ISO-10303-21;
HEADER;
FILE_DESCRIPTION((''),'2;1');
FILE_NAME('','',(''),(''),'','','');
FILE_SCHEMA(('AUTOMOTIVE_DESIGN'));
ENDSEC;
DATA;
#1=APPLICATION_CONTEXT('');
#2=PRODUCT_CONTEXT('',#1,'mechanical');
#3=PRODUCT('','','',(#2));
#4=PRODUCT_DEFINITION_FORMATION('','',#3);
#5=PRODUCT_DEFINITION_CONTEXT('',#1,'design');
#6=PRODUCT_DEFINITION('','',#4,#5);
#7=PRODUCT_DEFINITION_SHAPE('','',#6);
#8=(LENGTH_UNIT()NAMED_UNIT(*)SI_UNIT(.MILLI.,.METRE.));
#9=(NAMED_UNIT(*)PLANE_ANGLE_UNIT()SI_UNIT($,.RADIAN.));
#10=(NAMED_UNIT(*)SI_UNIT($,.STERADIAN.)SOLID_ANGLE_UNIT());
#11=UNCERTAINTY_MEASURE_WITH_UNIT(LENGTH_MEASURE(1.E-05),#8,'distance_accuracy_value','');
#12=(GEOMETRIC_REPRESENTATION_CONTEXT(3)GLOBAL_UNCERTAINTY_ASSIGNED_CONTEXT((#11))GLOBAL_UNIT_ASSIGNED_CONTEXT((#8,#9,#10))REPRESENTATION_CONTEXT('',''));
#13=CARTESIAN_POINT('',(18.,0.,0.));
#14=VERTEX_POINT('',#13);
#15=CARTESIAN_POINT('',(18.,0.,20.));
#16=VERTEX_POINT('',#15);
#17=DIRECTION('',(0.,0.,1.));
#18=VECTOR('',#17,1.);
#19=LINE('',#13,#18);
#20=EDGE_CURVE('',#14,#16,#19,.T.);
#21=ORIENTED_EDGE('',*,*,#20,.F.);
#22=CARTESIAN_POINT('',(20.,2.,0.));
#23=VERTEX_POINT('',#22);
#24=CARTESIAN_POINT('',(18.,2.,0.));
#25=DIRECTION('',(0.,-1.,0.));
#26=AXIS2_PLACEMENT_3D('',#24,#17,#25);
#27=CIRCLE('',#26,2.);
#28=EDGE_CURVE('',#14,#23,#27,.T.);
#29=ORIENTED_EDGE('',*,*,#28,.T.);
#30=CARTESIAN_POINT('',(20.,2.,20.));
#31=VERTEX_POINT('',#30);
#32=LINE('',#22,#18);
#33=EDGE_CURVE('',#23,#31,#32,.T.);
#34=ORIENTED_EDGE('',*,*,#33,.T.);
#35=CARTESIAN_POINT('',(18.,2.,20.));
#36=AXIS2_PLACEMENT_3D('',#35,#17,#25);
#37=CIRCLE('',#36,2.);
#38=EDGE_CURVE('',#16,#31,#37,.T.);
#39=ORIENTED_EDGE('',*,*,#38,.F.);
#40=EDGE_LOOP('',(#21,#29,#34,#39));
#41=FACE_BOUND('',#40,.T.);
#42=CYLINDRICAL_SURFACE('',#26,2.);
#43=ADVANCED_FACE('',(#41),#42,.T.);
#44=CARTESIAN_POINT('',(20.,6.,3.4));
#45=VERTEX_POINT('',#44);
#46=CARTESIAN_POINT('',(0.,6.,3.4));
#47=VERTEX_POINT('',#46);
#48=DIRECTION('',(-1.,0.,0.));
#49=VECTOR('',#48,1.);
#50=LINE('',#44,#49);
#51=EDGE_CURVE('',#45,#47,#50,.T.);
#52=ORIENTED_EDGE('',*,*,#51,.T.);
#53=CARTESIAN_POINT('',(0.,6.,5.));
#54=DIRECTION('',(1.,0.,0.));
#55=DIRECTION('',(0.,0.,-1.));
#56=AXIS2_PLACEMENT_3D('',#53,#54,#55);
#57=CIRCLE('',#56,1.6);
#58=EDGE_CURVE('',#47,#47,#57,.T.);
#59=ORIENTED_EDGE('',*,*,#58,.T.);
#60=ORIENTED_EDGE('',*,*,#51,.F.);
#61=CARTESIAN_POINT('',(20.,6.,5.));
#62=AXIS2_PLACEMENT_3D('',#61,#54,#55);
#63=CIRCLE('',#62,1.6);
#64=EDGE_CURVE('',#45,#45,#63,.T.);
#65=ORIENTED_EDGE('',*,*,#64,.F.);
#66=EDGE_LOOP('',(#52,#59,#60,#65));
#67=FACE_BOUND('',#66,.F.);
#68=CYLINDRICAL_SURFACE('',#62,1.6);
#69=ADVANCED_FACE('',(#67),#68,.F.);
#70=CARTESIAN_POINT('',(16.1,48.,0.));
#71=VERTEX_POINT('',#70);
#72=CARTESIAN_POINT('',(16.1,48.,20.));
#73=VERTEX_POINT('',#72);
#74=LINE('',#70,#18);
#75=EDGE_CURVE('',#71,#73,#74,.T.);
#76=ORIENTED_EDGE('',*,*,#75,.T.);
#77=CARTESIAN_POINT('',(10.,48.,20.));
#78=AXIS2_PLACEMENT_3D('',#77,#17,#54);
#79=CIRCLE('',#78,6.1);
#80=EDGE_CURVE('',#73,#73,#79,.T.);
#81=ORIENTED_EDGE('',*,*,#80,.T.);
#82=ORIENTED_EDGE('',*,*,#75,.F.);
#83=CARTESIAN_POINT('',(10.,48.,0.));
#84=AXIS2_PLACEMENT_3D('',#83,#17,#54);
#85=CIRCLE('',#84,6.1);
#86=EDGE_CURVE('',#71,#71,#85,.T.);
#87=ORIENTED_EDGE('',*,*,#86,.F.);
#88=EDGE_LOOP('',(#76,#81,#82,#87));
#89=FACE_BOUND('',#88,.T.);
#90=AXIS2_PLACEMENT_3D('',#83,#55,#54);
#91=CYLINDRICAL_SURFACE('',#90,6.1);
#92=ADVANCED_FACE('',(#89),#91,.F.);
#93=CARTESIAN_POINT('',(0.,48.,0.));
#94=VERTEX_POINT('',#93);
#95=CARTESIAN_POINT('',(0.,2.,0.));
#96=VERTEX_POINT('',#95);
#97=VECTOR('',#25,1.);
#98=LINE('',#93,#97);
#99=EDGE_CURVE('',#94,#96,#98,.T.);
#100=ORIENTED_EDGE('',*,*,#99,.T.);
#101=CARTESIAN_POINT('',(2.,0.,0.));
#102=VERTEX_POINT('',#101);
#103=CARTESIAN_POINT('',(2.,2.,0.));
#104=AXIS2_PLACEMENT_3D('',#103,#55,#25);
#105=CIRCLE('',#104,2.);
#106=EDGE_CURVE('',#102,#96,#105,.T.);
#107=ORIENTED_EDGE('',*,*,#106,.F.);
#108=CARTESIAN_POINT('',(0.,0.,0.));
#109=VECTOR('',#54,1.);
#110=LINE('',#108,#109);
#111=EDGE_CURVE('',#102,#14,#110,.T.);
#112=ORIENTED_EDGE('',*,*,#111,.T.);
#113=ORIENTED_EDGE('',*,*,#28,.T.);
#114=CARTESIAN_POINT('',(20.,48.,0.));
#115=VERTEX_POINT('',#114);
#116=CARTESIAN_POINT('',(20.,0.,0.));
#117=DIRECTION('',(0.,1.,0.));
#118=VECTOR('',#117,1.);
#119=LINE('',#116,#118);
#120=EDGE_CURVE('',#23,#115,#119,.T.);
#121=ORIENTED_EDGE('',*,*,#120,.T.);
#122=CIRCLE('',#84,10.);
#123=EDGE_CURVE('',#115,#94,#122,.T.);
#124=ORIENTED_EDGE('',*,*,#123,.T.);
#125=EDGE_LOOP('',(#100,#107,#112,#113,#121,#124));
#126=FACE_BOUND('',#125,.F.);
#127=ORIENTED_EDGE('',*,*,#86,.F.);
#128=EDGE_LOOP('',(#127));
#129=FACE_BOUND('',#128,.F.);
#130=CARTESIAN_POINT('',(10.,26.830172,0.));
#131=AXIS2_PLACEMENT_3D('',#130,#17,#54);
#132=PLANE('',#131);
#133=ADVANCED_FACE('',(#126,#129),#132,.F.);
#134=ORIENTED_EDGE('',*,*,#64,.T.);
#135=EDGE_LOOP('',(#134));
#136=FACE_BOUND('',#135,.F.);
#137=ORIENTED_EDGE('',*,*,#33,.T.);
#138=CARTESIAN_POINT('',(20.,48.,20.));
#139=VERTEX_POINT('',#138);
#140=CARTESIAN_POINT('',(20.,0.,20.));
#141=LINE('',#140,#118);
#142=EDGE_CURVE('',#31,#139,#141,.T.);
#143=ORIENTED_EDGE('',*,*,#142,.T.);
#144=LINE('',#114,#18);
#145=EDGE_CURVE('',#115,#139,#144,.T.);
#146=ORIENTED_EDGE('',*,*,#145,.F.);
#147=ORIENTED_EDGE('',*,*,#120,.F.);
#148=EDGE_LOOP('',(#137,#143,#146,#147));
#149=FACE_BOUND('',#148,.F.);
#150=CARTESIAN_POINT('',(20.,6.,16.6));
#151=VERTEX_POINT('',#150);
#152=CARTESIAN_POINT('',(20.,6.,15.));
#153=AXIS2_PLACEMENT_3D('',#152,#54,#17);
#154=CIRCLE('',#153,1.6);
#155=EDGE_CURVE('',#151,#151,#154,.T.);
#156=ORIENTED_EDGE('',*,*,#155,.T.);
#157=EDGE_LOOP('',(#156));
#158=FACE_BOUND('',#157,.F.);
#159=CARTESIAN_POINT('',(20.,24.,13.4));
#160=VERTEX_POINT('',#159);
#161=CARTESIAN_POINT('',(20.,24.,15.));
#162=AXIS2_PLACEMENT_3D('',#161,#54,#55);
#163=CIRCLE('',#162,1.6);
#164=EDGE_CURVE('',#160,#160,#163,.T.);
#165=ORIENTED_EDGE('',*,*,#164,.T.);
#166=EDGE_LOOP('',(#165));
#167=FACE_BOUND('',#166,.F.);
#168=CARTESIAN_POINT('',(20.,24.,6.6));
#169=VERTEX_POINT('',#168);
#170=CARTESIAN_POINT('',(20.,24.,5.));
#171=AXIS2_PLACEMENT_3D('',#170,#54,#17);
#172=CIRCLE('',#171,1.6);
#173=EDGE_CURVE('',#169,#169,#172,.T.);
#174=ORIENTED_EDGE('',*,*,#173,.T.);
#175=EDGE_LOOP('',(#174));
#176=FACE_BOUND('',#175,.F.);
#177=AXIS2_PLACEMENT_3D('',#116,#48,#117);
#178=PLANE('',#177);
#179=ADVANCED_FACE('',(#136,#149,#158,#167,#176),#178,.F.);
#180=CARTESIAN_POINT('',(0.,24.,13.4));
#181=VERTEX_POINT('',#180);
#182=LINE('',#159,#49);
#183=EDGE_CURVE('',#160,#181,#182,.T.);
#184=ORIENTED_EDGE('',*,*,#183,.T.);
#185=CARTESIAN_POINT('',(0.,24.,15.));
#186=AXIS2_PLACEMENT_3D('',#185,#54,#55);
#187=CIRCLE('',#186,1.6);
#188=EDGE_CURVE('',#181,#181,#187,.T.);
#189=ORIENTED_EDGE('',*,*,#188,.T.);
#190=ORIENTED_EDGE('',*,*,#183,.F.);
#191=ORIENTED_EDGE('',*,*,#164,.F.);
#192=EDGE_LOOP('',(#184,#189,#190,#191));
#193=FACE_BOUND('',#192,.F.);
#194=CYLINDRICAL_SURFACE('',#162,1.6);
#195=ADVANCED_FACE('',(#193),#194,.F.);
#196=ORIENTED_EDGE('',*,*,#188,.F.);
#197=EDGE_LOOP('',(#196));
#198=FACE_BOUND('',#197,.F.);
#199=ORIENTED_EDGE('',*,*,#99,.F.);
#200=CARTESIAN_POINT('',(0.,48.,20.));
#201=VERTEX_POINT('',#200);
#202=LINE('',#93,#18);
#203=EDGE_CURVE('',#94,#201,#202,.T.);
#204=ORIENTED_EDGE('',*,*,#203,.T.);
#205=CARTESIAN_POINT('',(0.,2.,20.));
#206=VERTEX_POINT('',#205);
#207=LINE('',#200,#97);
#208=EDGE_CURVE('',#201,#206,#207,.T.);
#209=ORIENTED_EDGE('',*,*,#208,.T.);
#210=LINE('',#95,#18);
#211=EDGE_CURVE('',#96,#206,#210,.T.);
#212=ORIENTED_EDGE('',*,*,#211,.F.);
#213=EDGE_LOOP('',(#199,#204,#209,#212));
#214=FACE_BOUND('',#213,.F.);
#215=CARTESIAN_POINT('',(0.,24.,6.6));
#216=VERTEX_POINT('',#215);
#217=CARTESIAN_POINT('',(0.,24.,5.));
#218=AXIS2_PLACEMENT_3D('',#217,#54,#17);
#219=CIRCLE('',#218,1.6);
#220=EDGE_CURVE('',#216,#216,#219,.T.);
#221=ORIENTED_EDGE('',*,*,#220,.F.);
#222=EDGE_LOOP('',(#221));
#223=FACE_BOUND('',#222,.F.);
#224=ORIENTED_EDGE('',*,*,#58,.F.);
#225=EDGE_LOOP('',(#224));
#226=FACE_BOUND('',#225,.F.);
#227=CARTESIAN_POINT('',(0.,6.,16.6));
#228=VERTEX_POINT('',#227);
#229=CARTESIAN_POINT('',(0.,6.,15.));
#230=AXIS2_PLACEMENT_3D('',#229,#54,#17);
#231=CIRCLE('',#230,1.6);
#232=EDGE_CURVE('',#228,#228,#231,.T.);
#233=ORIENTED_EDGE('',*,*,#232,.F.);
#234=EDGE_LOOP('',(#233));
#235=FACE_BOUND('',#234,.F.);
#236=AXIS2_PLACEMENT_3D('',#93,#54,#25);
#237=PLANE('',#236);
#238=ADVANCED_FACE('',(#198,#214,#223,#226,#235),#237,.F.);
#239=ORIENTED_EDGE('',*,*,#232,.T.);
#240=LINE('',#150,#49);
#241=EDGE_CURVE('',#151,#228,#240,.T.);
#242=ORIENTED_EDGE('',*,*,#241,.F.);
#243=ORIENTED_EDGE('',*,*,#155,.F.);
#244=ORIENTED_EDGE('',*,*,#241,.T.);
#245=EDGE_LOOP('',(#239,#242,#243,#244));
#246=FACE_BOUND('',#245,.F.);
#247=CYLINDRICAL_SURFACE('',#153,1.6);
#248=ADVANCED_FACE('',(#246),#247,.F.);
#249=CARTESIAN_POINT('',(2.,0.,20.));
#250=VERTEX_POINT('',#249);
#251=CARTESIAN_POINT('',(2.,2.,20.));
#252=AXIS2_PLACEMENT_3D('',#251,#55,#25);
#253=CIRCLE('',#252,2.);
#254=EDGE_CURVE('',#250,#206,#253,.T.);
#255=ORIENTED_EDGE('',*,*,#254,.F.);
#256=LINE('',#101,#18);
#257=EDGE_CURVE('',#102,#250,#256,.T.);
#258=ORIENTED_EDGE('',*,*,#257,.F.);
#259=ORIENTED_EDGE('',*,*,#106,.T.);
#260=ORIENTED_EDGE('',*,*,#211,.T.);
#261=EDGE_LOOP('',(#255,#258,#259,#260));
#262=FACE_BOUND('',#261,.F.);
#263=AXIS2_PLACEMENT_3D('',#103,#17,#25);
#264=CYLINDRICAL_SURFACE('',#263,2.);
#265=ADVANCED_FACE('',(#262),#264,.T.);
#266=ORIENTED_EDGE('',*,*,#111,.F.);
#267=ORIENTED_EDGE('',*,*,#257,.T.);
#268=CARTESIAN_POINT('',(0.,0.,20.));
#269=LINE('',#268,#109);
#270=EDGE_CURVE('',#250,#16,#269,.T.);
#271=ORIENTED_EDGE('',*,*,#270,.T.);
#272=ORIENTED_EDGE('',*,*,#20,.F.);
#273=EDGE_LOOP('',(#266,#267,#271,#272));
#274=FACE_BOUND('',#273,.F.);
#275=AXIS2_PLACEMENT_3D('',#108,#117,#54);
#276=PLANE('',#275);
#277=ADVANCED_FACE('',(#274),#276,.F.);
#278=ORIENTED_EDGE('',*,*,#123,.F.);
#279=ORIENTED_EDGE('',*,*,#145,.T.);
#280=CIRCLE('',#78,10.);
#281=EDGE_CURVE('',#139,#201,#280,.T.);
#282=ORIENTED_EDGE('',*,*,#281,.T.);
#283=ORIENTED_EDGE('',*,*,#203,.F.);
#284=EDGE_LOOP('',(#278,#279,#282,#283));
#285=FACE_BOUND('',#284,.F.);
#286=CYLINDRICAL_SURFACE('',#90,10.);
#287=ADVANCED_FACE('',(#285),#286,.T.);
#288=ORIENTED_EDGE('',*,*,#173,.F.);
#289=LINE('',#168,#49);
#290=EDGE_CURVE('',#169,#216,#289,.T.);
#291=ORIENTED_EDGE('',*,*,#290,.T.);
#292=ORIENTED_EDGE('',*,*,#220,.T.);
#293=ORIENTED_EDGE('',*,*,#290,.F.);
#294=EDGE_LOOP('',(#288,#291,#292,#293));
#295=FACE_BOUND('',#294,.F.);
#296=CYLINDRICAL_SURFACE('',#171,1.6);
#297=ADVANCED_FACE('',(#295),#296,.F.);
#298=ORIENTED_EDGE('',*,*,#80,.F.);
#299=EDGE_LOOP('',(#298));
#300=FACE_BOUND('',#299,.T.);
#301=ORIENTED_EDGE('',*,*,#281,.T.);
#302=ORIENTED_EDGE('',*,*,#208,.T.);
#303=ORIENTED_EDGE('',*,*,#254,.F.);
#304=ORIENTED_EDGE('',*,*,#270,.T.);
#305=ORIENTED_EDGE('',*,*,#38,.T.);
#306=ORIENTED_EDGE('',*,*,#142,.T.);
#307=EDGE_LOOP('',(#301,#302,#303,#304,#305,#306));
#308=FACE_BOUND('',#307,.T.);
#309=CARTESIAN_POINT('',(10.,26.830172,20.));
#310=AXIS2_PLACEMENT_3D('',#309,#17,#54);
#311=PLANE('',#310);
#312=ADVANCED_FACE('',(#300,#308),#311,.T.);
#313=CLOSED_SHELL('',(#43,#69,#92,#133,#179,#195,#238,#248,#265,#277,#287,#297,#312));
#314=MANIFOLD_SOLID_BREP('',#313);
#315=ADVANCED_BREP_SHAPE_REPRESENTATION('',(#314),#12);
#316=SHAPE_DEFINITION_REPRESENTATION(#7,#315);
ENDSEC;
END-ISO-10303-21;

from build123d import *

# Parameters (mm, degrees)
SKETCH_1_R          = 6.1
EXTRUDE_1_DEPTH     = 20
SKETCH_2_R          = 1.6
CUT_EXTRUDE_1_DEPTH = 65.52906322
FILLET_1_R          = 2


with BuildPart() as part:
    # 草图1 → 凸台-拉伸1 (new body)
    with BuildSketch(Plane.XY):
        with BuildLine():
            Line((0, 0), (20, 0))
            Line((20, 0), (20, 30))
            Line((20, 30), (20, 48))
            ThreePointArc((20, 48), (10, 58), (0, 48))
            Line((0, 48), (0, 30))
            Line((0, 30), (0, 0))
        make_face()
        with Locations((10, 48)):
            Circle(SKETCH_1_R, mode=Mode.SUBTRACT)
    extrude(amount=EXTRUDE_1_DEPTH)

    # 草图2 → 切除-拉伸1 (cut, through all)
    with BuildSketch(Plane(origin=(20, 0, 0), x_dir=(0, 0, -1), z_dir=(1, 0, 0))):
        with Locations((-15, 24)):
            Circle(SKETCH_2_R)
        with Locations(Location((-15, 6, 0), (0, 0, 180))):
            Circle(SKETCH_2_R)
        with Locations((-5, 6)):
            Circle(SKETCH_2_R)
        with Locations(Location((-5, 24, 0), (0, 0, 180))):
            Circle(SKETCH_2_R)
    extrude(amount=-CUT_EXTRUDE_1_DEPTH, mode=Mode.SUBTRACT)

    # 圆角1
    fillet_1_edges = [part.edges().sort_by_distance(p)[0] for p in [
        (20, 0, 10),
        (0, 0, 10),
    ]]
    fillet(fillet_1_edges, radius=FILLET_1_R)


solid = part.part
